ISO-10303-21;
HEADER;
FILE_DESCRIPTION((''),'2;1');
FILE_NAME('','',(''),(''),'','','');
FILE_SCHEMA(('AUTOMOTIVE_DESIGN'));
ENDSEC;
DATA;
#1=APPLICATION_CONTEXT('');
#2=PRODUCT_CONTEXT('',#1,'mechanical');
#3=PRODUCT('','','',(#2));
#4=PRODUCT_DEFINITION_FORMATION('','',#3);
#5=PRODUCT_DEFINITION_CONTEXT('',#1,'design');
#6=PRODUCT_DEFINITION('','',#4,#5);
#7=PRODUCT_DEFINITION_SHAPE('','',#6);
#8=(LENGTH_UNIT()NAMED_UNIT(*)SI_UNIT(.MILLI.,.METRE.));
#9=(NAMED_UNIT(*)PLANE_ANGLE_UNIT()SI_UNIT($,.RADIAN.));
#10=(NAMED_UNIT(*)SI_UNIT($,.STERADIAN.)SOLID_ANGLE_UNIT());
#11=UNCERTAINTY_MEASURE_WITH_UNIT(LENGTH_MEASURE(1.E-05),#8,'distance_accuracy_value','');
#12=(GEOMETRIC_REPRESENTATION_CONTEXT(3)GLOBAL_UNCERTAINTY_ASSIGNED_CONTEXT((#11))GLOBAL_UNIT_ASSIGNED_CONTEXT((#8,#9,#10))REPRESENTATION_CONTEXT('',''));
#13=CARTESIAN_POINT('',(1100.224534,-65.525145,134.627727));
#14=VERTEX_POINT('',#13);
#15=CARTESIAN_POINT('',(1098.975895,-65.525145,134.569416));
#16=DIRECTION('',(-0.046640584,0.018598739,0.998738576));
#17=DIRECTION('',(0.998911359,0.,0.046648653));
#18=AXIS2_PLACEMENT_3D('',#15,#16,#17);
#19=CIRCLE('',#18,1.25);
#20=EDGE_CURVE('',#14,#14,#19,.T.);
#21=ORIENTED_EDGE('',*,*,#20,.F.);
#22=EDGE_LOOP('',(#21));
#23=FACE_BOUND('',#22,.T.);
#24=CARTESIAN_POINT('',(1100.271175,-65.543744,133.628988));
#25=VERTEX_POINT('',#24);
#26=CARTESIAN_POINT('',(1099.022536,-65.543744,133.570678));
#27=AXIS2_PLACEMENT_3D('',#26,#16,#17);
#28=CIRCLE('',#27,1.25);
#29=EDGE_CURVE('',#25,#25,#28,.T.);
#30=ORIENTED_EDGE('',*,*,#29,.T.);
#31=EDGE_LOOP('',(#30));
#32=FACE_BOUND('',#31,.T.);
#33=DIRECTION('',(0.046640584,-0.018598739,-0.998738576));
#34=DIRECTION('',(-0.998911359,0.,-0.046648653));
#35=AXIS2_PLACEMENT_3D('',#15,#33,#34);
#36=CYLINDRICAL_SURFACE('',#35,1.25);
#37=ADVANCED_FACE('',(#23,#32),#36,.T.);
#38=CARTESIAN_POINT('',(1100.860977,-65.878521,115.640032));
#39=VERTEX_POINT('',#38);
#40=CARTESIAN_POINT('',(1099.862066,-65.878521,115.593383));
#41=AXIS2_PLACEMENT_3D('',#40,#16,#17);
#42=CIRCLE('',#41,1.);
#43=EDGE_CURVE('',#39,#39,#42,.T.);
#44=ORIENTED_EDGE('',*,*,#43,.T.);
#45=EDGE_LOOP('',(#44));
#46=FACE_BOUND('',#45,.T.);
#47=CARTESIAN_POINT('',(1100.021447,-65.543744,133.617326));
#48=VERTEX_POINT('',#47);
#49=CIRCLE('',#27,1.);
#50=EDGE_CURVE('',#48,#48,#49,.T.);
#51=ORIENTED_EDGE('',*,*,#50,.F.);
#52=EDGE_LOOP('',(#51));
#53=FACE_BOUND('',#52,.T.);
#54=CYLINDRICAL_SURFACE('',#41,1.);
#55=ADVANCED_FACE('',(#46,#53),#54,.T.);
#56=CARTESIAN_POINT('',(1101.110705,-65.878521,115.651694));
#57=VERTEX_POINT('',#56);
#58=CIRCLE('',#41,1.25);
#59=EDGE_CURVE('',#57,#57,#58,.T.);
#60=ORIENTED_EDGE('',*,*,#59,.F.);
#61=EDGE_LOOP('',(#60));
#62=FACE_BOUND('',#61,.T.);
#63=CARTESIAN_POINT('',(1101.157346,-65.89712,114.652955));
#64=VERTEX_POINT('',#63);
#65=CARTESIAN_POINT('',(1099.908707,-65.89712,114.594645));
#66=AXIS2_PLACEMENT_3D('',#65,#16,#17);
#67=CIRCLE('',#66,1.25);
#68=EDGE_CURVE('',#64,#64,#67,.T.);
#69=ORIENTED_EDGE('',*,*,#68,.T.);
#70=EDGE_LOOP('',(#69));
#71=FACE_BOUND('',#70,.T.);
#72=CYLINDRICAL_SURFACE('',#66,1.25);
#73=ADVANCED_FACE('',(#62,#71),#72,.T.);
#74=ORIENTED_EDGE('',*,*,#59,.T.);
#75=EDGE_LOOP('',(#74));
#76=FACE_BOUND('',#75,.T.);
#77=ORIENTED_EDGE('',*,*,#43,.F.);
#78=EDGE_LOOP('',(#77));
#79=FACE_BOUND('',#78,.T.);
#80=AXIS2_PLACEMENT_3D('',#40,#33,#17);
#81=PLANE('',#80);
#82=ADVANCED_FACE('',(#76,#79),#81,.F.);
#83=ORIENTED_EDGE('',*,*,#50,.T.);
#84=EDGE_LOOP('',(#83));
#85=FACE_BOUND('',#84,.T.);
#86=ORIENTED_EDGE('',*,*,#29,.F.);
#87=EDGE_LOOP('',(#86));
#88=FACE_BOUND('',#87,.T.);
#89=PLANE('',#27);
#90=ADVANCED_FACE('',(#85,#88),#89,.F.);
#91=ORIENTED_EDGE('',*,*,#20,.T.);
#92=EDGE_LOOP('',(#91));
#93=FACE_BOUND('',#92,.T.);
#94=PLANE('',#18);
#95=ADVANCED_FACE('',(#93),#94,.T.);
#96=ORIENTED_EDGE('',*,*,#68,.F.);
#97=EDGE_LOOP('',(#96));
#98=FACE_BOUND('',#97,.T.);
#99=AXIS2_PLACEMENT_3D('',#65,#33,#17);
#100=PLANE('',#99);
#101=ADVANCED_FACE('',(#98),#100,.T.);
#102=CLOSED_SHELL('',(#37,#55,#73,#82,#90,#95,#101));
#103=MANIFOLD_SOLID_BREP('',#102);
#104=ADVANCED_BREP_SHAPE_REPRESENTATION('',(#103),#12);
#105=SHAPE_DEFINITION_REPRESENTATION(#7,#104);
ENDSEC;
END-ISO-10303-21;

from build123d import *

# Parameters (mm, degrees)
SKETCH1_R           = 1
BOSS_EXTRUDE1_DEPTH = 18
SKETCH2_R           = 1.25
BOSS_EXTRUDE2_DEPTH = 1


with BuildPart() as part:
    # Sketch1 → Boss-Extrude1 (new body)
    with BuildSketch(Plane(origin=(-3.774347483, 1.505086334, 80.82202498), x_dir=(0.9989117358115743, 0.0008684011141373105, 0.04663249872580849), z_dir=(-0.04664058380753361, 0.018598739412937847, 0.9987385758216923))):
        with Locations(Location((1103.998324858, -68.019334286, 0), (0, 0, 359.950235667))):
            Circle(SKETCH1_R)
    extrude(amount=-BOSS_EXTRUDE1_DEPTH)

    # Sketch2 → Boss-Extrude2 (add)
    with BuildSketch(Plane(origin=(-3.774347483, 1.505086334, 80.82202498), x_dir=(0.9989117358115743, 0.0008684011141373106, 0.046632498725808505), z_dir=(-0.04664058380753362, 0.01859873941293785, 0.9987385758216923))):
        with Locations(Location((1103.998324858, -68.019334286, 0), (0, 0, 359.950235667))):
            Circle(SKETCH2_R)
    boss_extrude2 = extrude(amount=BOSS_EXTRUDE2_DEPTH)

    # Mirror1: Boss-Extrude2 across plane
    add(boss_extrude2.mirror(Plane(origin=(-3.354582228, 1.337697679, 71.833377798), x_dir=(0.9989117358115743, 0.000868401114137311, 0.04663249872580852), z_dir=(-0.04664058380753362, 0.01859873941293785, 0.9987385758216923))))


solid = part.part
